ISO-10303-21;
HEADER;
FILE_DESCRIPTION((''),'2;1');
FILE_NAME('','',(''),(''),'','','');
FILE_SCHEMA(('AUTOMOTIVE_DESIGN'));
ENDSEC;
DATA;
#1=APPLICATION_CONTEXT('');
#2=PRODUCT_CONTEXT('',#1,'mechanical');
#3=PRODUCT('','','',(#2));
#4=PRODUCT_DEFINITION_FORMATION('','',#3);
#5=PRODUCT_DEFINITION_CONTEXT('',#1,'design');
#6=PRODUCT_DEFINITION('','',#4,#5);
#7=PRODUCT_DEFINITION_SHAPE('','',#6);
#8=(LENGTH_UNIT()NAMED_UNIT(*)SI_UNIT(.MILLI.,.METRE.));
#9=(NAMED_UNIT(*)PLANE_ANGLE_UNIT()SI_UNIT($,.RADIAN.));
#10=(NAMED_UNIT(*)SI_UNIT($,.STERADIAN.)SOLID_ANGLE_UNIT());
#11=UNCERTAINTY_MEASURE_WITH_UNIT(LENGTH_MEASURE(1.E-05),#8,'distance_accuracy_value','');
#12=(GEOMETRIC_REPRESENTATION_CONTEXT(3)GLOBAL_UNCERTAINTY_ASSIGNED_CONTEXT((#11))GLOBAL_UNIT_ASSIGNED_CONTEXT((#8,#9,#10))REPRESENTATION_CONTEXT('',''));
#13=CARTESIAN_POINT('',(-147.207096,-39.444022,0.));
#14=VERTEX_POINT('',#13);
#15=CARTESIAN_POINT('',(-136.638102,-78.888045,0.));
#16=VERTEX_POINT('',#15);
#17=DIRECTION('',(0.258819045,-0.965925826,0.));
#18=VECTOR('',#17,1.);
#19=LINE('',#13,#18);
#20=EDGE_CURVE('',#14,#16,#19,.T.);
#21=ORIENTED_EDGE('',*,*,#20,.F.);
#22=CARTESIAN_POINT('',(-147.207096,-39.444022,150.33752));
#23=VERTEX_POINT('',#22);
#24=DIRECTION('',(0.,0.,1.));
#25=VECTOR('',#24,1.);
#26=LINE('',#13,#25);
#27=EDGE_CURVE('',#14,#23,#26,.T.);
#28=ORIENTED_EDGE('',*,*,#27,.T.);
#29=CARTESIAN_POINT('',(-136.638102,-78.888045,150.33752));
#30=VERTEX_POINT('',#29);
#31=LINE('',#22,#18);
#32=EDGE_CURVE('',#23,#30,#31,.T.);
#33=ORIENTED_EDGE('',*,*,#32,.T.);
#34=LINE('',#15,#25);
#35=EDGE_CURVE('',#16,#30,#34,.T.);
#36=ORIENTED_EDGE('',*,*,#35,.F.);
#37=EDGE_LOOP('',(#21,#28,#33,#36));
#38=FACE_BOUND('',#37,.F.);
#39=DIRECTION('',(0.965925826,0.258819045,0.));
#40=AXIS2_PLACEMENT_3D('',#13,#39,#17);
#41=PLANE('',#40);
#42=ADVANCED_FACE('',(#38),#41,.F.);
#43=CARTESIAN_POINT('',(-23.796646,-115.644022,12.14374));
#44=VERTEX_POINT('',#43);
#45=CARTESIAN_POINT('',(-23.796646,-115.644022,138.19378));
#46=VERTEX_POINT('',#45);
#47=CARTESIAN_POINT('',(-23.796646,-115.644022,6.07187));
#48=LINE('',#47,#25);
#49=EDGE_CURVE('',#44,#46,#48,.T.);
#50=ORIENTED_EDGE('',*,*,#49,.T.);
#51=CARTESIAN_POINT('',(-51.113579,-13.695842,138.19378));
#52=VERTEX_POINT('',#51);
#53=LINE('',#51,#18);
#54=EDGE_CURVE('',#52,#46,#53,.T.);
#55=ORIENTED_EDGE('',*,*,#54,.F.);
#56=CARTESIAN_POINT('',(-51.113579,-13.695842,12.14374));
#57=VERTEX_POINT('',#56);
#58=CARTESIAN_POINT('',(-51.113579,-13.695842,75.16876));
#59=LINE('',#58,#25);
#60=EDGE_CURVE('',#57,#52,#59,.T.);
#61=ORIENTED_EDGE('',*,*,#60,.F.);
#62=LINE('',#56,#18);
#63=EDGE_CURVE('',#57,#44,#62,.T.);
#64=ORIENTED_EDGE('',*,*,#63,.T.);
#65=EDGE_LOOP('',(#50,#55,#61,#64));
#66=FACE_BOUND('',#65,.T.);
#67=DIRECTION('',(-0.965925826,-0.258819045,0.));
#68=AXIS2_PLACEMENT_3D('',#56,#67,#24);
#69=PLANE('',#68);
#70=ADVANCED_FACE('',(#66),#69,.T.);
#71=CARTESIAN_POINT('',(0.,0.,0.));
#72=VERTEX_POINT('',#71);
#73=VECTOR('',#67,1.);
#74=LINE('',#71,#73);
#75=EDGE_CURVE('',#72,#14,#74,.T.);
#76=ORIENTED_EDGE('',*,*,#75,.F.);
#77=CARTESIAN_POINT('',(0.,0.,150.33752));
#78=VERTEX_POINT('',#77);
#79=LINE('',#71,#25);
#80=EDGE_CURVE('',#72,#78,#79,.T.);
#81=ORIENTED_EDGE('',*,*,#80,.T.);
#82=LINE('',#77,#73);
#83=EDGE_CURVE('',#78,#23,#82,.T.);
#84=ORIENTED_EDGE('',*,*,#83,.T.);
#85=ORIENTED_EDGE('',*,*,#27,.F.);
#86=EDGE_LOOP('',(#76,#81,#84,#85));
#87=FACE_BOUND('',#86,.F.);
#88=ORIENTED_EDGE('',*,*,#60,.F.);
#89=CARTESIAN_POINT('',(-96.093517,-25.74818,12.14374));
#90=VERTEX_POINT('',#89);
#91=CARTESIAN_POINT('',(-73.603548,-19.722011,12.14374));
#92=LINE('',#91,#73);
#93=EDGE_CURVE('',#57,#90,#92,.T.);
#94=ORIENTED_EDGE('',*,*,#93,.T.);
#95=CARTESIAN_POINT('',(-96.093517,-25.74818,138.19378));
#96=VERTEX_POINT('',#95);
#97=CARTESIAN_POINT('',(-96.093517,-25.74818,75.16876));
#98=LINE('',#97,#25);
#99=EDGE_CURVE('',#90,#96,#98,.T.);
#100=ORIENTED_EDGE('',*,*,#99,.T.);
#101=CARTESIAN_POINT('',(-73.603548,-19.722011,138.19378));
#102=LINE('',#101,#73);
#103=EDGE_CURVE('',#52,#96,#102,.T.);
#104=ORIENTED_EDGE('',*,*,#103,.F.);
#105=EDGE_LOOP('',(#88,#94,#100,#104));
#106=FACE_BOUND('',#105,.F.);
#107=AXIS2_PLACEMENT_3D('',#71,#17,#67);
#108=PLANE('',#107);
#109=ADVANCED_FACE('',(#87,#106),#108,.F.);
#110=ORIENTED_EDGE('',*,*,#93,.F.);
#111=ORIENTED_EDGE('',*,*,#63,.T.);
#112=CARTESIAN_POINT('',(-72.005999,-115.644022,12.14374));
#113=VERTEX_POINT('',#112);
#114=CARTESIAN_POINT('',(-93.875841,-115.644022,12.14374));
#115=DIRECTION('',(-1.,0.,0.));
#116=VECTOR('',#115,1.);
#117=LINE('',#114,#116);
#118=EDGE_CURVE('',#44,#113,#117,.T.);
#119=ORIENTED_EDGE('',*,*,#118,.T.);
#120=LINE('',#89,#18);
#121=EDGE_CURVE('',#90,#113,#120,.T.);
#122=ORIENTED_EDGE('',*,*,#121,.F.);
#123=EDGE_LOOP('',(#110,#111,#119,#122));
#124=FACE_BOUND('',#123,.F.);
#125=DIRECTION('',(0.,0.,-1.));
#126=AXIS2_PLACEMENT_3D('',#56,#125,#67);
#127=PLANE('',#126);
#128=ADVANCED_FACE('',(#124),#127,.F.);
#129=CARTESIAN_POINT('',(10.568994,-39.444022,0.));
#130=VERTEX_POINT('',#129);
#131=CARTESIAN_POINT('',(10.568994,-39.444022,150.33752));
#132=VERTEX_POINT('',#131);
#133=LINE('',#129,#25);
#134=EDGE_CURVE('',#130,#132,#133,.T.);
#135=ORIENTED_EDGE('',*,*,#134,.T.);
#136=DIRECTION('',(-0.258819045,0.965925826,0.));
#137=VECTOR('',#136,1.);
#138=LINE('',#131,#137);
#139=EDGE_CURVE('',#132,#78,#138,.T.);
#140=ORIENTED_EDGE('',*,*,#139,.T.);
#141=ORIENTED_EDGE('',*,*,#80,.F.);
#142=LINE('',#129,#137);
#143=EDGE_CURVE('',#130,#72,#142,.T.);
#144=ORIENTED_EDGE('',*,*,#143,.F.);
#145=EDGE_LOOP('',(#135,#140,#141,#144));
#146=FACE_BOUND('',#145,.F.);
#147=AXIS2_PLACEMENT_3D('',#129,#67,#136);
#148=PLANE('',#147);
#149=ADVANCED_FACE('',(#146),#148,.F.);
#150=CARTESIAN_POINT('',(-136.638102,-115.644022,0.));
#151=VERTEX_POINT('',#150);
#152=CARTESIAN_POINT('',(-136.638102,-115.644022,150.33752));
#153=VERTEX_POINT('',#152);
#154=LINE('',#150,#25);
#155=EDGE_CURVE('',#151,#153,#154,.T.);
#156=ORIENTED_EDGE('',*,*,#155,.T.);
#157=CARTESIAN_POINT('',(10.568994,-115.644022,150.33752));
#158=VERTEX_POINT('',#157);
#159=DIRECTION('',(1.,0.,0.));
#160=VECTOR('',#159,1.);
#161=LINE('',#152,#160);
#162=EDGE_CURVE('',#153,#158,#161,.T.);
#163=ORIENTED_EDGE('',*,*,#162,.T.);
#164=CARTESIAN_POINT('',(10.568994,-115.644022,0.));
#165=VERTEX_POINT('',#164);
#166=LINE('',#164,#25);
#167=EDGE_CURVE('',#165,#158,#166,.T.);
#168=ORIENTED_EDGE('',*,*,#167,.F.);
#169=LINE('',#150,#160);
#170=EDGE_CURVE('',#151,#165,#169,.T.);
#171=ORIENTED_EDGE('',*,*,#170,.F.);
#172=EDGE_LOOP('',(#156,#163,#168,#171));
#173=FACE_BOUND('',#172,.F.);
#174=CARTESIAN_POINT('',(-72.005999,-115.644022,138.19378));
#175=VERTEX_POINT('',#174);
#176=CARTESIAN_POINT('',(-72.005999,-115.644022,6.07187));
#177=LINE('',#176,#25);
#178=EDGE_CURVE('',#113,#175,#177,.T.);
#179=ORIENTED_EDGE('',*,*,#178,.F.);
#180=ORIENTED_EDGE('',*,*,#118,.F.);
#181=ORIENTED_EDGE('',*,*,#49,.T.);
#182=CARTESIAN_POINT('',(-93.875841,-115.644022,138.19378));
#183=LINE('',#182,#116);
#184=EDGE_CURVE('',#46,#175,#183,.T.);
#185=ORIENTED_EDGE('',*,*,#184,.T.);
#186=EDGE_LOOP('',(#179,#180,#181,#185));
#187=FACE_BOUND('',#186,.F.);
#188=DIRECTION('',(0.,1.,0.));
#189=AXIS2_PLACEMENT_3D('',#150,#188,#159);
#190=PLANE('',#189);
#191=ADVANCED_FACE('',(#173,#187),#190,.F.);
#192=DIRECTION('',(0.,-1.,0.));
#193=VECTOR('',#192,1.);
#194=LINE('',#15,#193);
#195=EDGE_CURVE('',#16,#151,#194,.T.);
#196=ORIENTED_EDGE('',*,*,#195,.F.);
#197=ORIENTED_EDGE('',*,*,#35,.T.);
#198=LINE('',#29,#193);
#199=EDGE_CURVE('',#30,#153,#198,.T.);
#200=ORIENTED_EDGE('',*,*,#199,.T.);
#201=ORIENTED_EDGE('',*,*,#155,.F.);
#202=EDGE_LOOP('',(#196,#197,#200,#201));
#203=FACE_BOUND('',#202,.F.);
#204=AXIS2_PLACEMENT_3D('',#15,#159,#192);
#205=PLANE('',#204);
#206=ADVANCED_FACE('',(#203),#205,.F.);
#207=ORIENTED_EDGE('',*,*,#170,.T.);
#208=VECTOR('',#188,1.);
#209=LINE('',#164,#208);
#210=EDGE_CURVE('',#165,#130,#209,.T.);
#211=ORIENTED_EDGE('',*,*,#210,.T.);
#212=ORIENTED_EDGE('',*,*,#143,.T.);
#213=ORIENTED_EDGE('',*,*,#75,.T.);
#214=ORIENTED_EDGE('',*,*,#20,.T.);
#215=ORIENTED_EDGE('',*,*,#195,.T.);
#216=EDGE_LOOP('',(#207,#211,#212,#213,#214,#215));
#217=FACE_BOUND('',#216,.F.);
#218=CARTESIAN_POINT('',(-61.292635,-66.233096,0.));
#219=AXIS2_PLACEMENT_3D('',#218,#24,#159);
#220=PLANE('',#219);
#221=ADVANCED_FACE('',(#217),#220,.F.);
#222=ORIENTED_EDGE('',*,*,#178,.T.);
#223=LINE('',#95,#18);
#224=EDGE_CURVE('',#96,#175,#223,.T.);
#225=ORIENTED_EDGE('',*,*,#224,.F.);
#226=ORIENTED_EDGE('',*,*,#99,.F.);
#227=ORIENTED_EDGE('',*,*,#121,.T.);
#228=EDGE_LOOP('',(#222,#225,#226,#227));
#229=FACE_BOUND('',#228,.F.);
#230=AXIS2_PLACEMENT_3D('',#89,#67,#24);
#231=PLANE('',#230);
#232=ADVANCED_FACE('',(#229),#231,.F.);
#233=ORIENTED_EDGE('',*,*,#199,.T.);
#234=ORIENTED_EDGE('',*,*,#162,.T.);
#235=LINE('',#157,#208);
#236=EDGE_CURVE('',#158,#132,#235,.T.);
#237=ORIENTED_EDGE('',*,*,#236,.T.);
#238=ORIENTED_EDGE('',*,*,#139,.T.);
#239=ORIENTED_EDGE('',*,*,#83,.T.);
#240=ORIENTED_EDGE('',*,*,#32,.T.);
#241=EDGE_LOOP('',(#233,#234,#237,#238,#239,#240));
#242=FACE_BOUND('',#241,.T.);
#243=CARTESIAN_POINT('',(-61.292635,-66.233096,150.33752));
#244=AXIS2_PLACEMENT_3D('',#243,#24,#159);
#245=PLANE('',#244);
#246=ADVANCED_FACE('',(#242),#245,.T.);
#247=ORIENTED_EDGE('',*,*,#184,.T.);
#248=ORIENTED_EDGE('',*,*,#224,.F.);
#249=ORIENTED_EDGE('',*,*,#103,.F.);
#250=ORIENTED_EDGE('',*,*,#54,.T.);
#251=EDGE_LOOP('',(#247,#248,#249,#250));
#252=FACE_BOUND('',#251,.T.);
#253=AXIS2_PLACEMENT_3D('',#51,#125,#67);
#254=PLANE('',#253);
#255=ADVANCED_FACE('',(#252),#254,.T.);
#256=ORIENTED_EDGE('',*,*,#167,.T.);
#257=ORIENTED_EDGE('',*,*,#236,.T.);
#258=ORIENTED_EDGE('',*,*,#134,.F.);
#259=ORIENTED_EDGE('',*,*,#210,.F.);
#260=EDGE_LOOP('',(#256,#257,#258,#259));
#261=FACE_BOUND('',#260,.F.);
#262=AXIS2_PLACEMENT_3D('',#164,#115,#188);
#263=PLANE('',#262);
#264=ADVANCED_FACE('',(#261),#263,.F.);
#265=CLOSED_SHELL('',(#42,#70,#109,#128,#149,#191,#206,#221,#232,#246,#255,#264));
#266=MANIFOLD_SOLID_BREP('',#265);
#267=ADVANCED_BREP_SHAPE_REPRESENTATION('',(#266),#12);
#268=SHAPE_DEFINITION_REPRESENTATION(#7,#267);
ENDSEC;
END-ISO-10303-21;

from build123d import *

# Parameters (mm, degrees)
F1_DEPTH = 150.33752
F2_W     = 46.5666582
F2_H     = 126.05004
F3_DEPTH = 106.54452264


with BuildPart() as f1:
    # F0 (on Top) → F1 (new body)
    with BuildSketch(Plane.XY):
        Polygon((10.568993968, -39.4440224736), (0, 0), (-147.2070959265, -39.4440224736), (-136.6381019584, -78.8880449472), (-136.6381019584, -115.6440224736), (10.568993968, -115.6440224736), align=None)
    extrude(amount=F1_DEPTH)

    # F2 (on face) → F3 (cut, up to face)
    with BuildSketch(Plane(origin=(0, 0, 0), x_dir=(-0.9659258263, -0.2588190451, 0), z_dir=(-0.2588190451, 0.9659258263, 0))):
        with Locations((76.2, 75.16876)):
            Rectangle(F2_W, F2_H)
    extrude(amount=-F3_DEPTH, mode=Mode.SUBTRACT)


solid = f1.part
